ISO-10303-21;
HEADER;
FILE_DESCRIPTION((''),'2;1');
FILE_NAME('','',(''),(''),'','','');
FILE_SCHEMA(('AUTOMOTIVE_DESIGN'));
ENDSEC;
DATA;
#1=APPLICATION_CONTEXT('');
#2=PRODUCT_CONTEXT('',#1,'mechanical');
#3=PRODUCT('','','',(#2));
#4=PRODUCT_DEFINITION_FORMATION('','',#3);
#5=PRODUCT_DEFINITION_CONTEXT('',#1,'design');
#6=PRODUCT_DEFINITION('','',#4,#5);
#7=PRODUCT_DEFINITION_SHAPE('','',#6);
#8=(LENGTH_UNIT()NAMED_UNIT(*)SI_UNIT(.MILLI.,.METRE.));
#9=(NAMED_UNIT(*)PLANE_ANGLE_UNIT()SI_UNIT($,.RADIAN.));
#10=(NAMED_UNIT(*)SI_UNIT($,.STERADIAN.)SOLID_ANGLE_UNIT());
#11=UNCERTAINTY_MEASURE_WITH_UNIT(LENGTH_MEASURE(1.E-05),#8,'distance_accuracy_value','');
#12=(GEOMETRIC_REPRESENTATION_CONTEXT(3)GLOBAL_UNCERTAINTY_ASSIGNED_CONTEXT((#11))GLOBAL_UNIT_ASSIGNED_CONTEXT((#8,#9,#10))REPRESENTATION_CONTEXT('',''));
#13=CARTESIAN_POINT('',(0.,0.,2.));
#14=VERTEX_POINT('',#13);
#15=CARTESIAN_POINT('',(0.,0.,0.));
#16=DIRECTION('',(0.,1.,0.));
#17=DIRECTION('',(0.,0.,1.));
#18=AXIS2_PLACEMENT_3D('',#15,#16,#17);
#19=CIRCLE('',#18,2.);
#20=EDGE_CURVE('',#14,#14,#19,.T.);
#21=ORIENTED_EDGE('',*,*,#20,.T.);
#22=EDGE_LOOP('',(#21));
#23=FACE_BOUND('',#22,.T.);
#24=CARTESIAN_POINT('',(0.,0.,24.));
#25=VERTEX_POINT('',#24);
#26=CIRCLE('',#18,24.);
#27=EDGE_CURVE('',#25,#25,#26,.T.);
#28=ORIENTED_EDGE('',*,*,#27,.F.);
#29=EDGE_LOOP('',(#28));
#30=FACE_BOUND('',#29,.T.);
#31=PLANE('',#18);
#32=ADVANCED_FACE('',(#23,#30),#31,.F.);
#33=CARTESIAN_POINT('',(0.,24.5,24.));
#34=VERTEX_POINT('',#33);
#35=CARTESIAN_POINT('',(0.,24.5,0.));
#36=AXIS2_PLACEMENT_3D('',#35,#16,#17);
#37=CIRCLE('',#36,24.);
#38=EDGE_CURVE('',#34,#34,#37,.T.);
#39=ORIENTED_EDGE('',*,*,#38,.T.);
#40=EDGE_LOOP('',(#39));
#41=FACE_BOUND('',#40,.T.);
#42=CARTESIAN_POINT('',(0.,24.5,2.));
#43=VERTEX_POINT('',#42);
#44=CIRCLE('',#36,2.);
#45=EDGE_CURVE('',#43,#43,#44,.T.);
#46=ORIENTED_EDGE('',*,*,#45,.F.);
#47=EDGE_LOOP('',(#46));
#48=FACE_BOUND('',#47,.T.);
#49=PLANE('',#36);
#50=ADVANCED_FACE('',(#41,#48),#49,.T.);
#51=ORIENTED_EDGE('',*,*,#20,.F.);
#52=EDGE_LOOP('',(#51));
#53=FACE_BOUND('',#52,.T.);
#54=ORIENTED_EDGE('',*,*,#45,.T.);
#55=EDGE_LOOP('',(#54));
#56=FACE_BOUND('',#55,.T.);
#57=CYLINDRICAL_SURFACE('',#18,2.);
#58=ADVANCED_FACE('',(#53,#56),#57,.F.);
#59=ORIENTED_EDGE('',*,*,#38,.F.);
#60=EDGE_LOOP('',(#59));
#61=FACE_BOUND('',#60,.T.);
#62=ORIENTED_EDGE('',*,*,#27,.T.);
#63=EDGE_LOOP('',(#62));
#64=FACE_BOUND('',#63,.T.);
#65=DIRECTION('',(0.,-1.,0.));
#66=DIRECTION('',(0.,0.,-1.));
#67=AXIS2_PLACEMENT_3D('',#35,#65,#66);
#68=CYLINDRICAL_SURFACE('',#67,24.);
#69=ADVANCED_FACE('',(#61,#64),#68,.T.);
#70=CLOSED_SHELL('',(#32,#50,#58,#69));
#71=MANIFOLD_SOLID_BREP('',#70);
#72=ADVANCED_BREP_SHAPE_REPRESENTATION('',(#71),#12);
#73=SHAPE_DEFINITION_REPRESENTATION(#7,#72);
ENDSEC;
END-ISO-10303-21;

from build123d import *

# Parameters (mm, degrees)
SKETCH_1_R               = 24
EXTRUDE_2_DEPTH          = 24.5
CUT_EXTRUDE_1_DEPTH      = 42.859885332
CUT_EXTRUDE_1_DEPTH_BACK = 42.859885332
SKETCH_2_R               = 2


with BuildPart() as part:
    # 草图1 → 凸台-拉伸2 (new body)
    with BuildSketch(Plane(origin=(0, 0, 0), x_dir=(1, 0, 0), z_dir=(0, 1, 0))):
        with Locations(Location((0, 0, 0), (0, 0, 270))):
            Circle(SKETCH_1_R)
    extrude(amount=EXTRUDE_2_DEPTH)

    # 草图2 → 切除-拉伸1 (cut, two sides: drawn at the far end of the back side and taken through both)
    with BuildSketch(Plane(origin=(0, 24.5, 0), x_dir=(1, 0, 0), z_dir=(0, 1, 0)).offset(-CUT_EXTRUDE_1_DEPTH_BACK)):
        with Locations(Location((0, 0, 0), (0, 0, 270))):
            Circle(SKETCH_2_R)
    extrude(amount=CUT_EXTRUDE_1_DEPTH + CUT_EXTRUDE_1_DEPTH_BACK, mode=Mode.SUBTRACT)


solid = part.part
